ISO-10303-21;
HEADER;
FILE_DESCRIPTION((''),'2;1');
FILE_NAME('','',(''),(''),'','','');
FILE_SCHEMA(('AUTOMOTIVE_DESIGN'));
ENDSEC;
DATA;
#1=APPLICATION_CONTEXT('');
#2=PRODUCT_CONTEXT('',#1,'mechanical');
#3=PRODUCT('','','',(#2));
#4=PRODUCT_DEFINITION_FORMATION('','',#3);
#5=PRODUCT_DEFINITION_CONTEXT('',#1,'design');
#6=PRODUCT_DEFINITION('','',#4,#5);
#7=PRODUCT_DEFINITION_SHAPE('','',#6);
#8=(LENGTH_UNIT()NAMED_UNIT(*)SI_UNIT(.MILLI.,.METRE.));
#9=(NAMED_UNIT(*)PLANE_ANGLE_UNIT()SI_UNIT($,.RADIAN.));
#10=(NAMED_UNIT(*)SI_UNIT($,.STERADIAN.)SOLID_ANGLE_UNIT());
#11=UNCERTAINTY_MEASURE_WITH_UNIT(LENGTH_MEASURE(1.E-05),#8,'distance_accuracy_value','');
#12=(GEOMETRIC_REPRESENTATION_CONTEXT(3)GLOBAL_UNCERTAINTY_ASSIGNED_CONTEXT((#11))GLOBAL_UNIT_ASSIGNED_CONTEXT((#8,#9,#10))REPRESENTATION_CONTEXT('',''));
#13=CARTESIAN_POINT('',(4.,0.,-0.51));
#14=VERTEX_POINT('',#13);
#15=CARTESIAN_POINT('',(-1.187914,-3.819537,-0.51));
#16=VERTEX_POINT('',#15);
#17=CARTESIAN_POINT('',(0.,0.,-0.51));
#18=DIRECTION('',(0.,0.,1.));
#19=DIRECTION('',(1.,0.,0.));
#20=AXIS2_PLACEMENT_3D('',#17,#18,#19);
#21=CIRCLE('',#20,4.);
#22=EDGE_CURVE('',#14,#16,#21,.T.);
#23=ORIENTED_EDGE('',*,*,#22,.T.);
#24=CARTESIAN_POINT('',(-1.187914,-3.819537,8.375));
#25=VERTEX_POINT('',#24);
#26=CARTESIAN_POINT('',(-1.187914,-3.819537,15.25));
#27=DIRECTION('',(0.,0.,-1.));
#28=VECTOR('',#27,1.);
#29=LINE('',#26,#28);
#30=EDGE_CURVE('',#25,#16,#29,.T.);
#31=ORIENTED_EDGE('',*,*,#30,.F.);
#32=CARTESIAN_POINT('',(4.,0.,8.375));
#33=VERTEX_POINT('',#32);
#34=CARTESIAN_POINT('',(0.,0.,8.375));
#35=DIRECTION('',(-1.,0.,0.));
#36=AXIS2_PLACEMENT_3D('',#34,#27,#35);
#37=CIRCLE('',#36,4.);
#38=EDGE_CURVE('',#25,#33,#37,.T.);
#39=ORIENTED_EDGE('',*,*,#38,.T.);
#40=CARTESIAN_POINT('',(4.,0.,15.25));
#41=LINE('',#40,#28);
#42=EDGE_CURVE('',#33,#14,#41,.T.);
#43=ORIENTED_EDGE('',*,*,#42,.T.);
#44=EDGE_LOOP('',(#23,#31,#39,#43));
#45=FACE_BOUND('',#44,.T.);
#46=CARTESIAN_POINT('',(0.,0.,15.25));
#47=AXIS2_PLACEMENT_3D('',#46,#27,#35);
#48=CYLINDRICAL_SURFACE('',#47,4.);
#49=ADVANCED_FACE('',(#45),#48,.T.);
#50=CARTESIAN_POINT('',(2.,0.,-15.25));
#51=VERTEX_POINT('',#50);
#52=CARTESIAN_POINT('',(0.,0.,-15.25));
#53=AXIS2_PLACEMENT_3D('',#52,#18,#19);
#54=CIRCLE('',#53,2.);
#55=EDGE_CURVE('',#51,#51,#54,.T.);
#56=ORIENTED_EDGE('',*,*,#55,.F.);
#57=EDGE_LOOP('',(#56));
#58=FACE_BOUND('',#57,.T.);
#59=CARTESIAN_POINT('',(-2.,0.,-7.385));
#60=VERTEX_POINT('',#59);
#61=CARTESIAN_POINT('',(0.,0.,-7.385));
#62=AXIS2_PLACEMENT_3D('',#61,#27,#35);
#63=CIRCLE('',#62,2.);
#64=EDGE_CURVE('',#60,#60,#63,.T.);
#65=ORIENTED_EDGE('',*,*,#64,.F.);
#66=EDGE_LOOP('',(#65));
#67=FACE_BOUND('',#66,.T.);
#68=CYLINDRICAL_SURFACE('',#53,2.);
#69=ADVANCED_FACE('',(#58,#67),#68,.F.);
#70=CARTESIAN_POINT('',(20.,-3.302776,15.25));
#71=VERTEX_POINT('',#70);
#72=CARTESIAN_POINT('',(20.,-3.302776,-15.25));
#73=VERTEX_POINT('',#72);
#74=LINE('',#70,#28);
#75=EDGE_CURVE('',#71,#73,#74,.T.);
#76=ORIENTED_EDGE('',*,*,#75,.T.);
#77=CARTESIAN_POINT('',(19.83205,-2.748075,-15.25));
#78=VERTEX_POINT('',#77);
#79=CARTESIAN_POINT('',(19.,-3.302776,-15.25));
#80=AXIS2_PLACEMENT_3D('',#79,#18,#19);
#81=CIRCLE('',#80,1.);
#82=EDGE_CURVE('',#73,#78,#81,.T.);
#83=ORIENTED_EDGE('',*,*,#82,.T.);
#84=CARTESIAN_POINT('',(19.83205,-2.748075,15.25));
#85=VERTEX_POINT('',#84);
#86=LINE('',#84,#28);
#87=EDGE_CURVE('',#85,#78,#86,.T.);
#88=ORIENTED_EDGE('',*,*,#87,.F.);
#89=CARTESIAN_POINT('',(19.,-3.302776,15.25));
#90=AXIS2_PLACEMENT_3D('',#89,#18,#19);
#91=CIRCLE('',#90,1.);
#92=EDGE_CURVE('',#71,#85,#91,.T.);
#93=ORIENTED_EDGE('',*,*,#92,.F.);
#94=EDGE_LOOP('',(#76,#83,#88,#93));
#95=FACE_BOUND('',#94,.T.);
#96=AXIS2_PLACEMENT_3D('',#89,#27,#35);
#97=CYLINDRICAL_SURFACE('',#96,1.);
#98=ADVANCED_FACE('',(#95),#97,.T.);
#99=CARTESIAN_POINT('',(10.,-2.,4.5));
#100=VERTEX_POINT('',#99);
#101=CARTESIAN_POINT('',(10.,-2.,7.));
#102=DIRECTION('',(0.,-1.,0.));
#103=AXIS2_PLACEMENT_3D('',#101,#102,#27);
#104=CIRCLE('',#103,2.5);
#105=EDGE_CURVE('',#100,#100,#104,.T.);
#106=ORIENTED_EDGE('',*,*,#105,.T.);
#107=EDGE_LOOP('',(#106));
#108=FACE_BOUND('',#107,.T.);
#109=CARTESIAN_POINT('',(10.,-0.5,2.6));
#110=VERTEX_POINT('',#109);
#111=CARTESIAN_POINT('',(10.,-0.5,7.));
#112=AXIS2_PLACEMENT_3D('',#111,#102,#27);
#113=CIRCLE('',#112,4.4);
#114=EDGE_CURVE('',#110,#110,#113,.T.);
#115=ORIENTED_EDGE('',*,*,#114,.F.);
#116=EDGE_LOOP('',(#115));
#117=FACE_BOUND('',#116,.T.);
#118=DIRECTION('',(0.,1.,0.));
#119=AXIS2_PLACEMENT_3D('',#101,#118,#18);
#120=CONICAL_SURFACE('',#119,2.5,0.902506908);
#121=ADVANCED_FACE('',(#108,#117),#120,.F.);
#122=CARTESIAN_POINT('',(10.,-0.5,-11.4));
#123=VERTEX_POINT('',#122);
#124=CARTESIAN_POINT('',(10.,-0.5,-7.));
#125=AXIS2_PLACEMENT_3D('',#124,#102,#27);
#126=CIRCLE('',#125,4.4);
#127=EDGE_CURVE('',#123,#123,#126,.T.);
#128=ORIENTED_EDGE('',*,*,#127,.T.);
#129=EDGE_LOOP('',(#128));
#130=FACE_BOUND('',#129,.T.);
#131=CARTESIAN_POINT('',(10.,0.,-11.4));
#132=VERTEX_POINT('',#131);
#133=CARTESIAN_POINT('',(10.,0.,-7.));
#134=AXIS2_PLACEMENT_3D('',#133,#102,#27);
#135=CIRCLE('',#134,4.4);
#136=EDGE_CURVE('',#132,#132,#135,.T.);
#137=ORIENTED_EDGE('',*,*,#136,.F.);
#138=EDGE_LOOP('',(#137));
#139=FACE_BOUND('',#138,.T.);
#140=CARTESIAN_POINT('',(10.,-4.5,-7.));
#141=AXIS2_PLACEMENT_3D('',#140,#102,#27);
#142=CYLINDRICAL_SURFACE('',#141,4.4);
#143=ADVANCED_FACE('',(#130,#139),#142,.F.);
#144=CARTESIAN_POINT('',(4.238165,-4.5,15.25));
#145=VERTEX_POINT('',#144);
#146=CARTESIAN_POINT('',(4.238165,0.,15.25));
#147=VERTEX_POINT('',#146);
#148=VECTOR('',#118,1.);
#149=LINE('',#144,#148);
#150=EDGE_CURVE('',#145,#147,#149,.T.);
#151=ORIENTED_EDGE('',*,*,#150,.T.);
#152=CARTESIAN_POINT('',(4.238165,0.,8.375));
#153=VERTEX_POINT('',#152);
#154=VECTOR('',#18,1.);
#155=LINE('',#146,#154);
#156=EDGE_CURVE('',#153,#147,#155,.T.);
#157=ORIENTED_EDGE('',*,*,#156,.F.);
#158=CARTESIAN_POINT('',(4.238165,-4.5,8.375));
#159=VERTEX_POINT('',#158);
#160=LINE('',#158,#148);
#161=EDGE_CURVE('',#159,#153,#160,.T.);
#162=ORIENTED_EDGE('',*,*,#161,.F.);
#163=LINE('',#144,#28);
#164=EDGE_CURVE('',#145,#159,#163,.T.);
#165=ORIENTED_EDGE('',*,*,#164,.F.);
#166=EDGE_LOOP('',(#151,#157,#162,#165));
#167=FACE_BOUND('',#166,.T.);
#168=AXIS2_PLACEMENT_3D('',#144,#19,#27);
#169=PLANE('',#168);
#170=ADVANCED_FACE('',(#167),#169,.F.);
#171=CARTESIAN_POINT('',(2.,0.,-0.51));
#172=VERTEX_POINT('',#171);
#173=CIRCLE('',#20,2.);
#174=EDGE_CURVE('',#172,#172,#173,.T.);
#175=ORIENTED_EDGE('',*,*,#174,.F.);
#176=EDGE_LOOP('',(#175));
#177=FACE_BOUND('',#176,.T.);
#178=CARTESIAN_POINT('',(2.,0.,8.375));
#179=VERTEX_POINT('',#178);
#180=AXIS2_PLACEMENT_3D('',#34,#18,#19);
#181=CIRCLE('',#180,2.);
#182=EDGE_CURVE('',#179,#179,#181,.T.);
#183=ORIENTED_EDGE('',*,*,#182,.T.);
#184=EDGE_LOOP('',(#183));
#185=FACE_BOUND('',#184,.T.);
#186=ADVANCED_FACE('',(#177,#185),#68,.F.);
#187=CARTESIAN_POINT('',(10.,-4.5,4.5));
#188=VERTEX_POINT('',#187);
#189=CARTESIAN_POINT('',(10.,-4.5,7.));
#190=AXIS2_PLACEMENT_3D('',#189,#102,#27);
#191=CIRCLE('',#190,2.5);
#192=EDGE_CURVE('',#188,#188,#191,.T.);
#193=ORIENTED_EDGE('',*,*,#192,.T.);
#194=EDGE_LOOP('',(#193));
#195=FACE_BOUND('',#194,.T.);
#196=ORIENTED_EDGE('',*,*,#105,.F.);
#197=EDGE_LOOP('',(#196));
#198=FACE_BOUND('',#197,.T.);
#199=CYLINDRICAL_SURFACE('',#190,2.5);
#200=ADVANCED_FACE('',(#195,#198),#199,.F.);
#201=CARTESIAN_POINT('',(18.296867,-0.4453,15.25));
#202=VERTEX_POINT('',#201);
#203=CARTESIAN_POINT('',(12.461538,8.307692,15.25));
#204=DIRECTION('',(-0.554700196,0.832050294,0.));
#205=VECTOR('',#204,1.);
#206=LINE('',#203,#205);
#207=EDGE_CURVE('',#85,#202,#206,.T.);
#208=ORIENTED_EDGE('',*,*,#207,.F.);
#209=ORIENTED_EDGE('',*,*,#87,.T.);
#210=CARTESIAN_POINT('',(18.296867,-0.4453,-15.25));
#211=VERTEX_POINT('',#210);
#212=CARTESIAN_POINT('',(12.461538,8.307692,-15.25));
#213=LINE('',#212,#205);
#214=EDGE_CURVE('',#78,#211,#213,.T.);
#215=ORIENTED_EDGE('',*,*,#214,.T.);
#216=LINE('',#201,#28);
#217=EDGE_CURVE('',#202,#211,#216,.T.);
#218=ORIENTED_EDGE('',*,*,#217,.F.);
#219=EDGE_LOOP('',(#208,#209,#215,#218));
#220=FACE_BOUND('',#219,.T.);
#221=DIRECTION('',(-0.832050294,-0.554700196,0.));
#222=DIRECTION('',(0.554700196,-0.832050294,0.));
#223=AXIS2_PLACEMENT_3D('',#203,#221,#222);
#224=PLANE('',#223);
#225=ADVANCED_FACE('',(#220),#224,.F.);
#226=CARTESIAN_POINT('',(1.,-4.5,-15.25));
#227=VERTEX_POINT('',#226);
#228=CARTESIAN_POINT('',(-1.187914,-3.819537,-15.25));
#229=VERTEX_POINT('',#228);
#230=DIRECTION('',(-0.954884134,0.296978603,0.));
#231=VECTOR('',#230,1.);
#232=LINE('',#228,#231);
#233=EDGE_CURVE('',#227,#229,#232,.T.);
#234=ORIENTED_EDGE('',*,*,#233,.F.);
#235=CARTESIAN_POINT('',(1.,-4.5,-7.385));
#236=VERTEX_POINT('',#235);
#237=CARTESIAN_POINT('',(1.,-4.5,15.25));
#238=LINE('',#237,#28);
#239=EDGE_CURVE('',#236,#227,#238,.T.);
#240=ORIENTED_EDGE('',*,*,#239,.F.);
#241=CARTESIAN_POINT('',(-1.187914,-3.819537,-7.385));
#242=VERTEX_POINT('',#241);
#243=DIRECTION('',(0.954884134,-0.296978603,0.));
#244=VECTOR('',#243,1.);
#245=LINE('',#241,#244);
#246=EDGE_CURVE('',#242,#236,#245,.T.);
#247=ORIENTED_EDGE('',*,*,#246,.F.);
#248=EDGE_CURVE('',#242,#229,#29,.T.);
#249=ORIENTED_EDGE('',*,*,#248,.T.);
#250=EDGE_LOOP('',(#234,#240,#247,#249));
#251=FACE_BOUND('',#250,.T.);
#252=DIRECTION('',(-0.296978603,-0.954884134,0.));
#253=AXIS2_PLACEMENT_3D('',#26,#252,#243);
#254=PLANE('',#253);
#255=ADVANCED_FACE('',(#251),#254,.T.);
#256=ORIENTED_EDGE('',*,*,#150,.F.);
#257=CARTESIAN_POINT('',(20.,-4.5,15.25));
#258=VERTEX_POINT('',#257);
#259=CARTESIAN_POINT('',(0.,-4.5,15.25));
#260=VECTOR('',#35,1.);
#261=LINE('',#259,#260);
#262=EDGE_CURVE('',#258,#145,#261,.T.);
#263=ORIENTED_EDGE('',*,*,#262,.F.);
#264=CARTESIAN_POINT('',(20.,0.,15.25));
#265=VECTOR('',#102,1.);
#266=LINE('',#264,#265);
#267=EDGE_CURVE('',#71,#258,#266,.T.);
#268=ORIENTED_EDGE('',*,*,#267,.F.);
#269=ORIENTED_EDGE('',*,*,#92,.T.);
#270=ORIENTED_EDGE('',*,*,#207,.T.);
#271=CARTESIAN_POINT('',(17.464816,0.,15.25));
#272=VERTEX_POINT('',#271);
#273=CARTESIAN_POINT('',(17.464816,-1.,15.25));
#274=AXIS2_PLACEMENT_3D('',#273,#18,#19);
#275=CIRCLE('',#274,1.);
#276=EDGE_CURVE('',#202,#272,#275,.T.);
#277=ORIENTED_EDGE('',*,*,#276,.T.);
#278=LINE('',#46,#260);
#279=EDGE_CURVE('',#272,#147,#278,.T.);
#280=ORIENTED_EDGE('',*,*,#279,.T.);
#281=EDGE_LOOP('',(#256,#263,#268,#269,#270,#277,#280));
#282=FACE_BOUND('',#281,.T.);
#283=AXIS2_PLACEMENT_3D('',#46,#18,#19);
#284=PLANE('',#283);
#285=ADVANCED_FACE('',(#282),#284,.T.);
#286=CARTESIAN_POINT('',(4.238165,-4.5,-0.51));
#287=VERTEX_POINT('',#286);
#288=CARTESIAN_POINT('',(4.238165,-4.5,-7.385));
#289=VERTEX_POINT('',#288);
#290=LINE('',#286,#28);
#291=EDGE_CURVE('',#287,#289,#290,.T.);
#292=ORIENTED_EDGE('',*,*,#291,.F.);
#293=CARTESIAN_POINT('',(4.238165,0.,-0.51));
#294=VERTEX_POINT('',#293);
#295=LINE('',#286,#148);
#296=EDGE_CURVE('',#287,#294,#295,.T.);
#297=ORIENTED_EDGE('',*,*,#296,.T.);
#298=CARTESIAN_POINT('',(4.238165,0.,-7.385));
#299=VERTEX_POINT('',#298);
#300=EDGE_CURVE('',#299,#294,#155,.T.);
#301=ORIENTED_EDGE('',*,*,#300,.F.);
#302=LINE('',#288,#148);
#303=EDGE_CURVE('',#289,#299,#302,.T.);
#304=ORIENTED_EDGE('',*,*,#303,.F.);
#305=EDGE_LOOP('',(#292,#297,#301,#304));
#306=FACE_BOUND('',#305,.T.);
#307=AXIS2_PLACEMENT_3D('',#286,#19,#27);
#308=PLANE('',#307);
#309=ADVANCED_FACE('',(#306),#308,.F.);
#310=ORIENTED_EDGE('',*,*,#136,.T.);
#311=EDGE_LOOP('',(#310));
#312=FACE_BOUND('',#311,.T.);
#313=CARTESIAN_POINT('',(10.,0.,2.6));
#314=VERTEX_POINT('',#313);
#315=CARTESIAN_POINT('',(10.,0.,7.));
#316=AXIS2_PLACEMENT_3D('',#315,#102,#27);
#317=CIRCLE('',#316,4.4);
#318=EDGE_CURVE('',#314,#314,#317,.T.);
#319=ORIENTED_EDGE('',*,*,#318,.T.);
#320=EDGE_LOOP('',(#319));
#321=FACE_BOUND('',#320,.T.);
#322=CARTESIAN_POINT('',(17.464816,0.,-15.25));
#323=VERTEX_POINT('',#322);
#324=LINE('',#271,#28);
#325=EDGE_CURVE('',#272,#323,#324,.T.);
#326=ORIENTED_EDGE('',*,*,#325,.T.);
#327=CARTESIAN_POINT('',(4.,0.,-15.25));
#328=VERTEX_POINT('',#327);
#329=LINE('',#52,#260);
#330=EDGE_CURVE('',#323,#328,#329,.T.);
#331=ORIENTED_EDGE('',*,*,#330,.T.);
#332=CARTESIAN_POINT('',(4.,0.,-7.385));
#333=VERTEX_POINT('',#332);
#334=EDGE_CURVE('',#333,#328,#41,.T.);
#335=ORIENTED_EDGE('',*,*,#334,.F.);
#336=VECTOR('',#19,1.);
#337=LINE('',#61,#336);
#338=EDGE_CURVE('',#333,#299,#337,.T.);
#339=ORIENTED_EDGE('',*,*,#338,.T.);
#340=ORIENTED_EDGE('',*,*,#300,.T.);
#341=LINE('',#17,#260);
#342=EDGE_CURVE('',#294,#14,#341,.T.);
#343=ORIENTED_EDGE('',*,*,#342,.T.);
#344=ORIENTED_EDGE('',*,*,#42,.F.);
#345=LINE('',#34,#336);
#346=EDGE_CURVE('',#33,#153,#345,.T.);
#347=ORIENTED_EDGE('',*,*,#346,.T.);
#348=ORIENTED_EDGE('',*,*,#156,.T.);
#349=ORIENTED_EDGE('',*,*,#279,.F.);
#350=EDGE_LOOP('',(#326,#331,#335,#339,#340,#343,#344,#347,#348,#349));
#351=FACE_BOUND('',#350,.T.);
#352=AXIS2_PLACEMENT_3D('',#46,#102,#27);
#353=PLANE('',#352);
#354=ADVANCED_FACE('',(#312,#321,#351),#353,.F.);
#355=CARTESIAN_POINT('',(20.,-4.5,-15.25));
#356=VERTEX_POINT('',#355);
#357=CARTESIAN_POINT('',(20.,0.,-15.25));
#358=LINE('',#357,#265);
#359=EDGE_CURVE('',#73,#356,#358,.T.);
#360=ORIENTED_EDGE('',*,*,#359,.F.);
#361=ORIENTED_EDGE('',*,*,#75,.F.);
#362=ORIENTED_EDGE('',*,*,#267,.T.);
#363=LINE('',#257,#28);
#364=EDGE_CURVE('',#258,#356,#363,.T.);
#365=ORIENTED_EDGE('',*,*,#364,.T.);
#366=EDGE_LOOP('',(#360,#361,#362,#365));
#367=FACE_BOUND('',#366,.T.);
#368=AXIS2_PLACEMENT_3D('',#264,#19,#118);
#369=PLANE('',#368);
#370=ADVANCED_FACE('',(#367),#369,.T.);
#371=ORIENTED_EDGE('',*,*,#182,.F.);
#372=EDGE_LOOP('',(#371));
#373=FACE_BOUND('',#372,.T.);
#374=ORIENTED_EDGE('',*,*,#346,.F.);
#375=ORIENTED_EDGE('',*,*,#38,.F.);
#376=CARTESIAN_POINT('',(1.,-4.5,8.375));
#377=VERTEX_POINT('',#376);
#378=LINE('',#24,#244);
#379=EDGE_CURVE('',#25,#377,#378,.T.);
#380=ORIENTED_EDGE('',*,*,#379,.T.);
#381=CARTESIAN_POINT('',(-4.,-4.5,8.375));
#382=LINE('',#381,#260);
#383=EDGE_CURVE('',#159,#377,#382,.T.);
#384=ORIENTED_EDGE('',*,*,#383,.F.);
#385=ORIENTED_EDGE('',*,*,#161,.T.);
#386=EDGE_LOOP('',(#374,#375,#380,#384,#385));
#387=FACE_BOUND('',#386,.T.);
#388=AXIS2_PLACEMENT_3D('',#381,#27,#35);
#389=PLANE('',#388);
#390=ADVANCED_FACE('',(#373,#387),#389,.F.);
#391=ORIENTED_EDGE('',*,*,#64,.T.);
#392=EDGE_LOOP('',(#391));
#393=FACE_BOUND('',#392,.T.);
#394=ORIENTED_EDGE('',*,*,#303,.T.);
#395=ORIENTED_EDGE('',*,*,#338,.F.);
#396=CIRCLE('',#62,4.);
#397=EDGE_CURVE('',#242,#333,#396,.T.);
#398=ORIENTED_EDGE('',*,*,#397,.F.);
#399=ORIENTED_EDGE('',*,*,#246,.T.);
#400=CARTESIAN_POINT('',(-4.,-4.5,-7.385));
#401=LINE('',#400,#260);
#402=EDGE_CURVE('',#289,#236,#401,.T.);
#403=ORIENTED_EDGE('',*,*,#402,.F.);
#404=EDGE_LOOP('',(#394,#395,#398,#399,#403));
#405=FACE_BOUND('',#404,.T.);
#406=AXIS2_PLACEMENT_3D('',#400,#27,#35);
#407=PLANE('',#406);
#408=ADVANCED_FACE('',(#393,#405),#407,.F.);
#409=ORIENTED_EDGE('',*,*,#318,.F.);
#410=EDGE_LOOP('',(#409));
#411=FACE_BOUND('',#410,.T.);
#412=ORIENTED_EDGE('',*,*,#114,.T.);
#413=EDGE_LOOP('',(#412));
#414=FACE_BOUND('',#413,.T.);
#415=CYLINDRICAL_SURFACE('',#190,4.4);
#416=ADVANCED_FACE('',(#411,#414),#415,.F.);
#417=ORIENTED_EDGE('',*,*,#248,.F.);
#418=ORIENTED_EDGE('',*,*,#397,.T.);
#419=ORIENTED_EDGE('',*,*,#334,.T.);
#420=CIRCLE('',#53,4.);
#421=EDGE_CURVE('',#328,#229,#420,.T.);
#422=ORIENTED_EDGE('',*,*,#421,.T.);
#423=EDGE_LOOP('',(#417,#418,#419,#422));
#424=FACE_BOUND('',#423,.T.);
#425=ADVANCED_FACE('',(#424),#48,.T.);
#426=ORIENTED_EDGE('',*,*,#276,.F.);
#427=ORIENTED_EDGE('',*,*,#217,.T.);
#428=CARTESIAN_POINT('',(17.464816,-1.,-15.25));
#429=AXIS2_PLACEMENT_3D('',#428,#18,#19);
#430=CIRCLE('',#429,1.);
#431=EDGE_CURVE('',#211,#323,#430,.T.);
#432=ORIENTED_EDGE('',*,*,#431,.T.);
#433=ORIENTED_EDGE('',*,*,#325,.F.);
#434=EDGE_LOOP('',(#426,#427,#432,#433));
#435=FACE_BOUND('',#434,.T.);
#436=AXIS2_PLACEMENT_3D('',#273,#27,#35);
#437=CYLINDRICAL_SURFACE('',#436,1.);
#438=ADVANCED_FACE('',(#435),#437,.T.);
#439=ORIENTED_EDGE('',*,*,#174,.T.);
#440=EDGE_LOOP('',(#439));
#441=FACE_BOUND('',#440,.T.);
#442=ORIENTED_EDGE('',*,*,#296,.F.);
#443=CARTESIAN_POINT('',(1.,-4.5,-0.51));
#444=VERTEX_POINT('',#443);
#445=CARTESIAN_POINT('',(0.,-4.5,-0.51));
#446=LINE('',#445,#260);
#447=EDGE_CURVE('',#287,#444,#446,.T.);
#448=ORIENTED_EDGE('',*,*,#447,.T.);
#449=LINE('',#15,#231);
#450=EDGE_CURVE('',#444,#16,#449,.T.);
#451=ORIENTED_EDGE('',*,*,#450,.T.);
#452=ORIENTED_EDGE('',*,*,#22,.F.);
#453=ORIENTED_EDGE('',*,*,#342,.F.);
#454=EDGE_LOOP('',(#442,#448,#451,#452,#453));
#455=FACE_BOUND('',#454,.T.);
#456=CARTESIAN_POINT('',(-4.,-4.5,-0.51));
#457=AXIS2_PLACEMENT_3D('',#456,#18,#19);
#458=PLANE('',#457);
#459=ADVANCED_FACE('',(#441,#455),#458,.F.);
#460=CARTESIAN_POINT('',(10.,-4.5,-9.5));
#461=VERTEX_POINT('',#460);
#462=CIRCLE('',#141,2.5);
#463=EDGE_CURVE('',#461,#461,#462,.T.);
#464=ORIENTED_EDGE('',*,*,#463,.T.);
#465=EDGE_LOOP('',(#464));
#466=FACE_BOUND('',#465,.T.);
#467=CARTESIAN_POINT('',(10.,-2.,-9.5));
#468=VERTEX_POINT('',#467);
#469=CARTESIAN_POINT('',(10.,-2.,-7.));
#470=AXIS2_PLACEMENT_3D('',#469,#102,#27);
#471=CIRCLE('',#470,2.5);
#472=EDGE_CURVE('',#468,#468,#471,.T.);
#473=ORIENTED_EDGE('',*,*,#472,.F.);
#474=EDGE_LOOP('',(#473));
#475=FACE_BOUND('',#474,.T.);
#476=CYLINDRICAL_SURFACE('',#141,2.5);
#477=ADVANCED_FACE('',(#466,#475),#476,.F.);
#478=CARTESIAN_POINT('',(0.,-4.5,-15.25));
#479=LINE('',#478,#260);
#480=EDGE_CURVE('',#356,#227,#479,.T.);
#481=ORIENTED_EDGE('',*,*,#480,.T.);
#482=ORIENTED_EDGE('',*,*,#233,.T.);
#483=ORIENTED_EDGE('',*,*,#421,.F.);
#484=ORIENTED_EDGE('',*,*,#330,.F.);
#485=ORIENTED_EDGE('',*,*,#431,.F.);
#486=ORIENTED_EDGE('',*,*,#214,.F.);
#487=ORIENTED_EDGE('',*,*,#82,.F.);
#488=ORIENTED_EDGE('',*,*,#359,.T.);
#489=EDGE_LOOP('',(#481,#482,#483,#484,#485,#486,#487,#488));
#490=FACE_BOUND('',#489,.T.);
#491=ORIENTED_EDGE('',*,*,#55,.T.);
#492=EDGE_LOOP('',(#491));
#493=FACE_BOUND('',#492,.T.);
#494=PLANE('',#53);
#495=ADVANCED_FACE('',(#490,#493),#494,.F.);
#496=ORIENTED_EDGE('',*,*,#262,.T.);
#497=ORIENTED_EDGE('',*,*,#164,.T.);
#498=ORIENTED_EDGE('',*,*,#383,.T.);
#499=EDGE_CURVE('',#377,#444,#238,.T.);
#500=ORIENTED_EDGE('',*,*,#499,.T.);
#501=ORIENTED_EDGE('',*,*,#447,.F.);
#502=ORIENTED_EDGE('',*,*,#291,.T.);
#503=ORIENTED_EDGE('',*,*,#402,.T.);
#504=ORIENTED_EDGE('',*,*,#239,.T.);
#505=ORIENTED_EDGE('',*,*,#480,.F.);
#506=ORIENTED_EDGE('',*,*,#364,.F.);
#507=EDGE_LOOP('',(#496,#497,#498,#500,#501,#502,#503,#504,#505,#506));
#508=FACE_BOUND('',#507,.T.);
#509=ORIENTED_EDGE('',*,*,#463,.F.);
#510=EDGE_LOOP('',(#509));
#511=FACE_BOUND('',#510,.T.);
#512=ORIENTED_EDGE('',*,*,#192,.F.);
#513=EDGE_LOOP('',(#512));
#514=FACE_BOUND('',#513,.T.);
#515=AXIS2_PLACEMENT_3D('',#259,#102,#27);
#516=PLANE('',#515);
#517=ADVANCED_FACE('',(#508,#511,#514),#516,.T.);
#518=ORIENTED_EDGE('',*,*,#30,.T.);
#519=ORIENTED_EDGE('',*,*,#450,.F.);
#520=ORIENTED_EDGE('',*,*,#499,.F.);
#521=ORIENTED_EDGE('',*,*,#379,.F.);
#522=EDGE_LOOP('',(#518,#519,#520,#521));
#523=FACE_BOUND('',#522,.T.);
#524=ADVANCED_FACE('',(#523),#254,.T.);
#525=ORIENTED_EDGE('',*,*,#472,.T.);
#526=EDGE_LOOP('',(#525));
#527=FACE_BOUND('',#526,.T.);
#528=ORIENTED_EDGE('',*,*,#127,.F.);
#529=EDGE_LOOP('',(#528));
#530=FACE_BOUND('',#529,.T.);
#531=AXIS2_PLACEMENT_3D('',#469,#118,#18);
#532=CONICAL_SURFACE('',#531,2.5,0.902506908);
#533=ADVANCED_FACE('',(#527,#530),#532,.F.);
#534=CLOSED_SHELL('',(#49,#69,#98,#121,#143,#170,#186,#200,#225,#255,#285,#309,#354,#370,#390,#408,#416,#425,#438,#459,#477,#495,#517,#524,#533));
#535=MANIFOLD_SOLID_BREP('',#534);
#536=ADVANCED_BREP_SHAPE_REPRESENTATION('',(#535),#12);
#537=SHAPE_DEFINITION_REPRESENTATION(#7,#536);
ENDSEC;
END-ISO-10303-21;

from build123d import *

# Parameters (mm, degrees)
EXTRUDE_1_DEPTH          = 15.25
CUT_EXTRUDE_1_DEPTH      = 26.550195694
CUT_EXTRUDE_1_DEPTH_BACK = 26.550195694
SKETCH_3_W               = 8.238165393
SKETCH_3_H               = 6.875
SKETCH_4_R               = 2
CUT_EXTRUDE_2_DEPTH      = 32.279236324
PATTERN_LINEAR_1_COUNT   = 2
PATTERN_LINEAR_1_PITCH   = 14


with BuildPart() as part:
    # 草图1 → 凸台-拉伸1 (new, symmetric)
    with BuildSketch(Plane.XY):
        with BuildLine():
            Line((17.464816242, 0), (4, 0))
            ThreePointArc((4, 0), (-2.371533507, 3.221153338), (-1.187914412, -3.819536536))
            Line((-1.187914412, -3.819536536), (1, -4.5))
            Line((1, -4.5), (20, -4.5))
            Line((20, -4.5), (20, -3.302775638))
            ThreePointArc((20, -3.302775638), (19.957092026, -3.012991489), (19.832050294, -2.748075442))
            Line((19.832050294, -2.748075442), (18.296866536, -0.445299804))
            ThreePointArc((18.296866536, -0.445299804), (17.936674167, -0.118325401), (17.464816242, 0))
        make_face()
    extrude(amount=EXTRUDE_1_DEPTH, both=True)

    # 草图3 → 切除-拉伸1 (cut, two sides: drawn at the far end of the back side and taken through both)
    with BuildSketch(Plane(origin=(0, 0, 0), x_dir=(1, 0, 0), z_dir=(0, 1, 0)).offset(-CUT_EXTRUDE_1_DEPTH_BACK)):
        with Locations((0.119082697, -11.8125)):
            Rectangle(SKETCH_3_W, SKETCH_3_H)
        with Locations((0.119082697, 3.9475)):
            Rectangle(SKETCH_3_W, SKETCH_3_H)
    extrude(amount=CUT_EXTRUDE_1_DEPTH + CUT_EXTRUDE_1_DEPTH_BACK, mode=Mode.SUBTRACT)

    # 草图4 → 切除-拉伸2 (cut, through all)
    with BuildSketch(Plane.XY.offset(8.375)):
        Circle(SKETCH_4_R)
    extrude(amount=-CUT_EXTRUDE_2_DEPTH, mode=Mode.SUBTRACT)

    # 草图5 → 切除-旋转1 (revolve, cut)
    with BuildSketch(Plane.XY.offset(7), mode=Mode.PRIVATE) as cut_revolve_1_sk:
        Polygon((10, -4.5), (10, 0), (14.4, 0), (14.4, -0.5), (12.5, -2), (12.5, -4.5), align=None)
    cut_revolve_1 = revolve(cut_revolve_1_sk.sketch.rotate(Axis((10, -4.5, 7), (0, 1, 0)), 90), axis=Axis((10, -4.5, 7), (0, 1, 0)), mode=Mode.SUBTRACT)

    # 阵列(线性)1: 切除-旋转1 ×2
    with Locations(*[(0, 0, -i * PATTERN_LINEAR_1_PITCH) for i in range(1, PATTERN_LINEAR_1_COUNT)]):
        add(cut_revolve_1, mode=Mode.SUBTRACT)


solid = part.part
